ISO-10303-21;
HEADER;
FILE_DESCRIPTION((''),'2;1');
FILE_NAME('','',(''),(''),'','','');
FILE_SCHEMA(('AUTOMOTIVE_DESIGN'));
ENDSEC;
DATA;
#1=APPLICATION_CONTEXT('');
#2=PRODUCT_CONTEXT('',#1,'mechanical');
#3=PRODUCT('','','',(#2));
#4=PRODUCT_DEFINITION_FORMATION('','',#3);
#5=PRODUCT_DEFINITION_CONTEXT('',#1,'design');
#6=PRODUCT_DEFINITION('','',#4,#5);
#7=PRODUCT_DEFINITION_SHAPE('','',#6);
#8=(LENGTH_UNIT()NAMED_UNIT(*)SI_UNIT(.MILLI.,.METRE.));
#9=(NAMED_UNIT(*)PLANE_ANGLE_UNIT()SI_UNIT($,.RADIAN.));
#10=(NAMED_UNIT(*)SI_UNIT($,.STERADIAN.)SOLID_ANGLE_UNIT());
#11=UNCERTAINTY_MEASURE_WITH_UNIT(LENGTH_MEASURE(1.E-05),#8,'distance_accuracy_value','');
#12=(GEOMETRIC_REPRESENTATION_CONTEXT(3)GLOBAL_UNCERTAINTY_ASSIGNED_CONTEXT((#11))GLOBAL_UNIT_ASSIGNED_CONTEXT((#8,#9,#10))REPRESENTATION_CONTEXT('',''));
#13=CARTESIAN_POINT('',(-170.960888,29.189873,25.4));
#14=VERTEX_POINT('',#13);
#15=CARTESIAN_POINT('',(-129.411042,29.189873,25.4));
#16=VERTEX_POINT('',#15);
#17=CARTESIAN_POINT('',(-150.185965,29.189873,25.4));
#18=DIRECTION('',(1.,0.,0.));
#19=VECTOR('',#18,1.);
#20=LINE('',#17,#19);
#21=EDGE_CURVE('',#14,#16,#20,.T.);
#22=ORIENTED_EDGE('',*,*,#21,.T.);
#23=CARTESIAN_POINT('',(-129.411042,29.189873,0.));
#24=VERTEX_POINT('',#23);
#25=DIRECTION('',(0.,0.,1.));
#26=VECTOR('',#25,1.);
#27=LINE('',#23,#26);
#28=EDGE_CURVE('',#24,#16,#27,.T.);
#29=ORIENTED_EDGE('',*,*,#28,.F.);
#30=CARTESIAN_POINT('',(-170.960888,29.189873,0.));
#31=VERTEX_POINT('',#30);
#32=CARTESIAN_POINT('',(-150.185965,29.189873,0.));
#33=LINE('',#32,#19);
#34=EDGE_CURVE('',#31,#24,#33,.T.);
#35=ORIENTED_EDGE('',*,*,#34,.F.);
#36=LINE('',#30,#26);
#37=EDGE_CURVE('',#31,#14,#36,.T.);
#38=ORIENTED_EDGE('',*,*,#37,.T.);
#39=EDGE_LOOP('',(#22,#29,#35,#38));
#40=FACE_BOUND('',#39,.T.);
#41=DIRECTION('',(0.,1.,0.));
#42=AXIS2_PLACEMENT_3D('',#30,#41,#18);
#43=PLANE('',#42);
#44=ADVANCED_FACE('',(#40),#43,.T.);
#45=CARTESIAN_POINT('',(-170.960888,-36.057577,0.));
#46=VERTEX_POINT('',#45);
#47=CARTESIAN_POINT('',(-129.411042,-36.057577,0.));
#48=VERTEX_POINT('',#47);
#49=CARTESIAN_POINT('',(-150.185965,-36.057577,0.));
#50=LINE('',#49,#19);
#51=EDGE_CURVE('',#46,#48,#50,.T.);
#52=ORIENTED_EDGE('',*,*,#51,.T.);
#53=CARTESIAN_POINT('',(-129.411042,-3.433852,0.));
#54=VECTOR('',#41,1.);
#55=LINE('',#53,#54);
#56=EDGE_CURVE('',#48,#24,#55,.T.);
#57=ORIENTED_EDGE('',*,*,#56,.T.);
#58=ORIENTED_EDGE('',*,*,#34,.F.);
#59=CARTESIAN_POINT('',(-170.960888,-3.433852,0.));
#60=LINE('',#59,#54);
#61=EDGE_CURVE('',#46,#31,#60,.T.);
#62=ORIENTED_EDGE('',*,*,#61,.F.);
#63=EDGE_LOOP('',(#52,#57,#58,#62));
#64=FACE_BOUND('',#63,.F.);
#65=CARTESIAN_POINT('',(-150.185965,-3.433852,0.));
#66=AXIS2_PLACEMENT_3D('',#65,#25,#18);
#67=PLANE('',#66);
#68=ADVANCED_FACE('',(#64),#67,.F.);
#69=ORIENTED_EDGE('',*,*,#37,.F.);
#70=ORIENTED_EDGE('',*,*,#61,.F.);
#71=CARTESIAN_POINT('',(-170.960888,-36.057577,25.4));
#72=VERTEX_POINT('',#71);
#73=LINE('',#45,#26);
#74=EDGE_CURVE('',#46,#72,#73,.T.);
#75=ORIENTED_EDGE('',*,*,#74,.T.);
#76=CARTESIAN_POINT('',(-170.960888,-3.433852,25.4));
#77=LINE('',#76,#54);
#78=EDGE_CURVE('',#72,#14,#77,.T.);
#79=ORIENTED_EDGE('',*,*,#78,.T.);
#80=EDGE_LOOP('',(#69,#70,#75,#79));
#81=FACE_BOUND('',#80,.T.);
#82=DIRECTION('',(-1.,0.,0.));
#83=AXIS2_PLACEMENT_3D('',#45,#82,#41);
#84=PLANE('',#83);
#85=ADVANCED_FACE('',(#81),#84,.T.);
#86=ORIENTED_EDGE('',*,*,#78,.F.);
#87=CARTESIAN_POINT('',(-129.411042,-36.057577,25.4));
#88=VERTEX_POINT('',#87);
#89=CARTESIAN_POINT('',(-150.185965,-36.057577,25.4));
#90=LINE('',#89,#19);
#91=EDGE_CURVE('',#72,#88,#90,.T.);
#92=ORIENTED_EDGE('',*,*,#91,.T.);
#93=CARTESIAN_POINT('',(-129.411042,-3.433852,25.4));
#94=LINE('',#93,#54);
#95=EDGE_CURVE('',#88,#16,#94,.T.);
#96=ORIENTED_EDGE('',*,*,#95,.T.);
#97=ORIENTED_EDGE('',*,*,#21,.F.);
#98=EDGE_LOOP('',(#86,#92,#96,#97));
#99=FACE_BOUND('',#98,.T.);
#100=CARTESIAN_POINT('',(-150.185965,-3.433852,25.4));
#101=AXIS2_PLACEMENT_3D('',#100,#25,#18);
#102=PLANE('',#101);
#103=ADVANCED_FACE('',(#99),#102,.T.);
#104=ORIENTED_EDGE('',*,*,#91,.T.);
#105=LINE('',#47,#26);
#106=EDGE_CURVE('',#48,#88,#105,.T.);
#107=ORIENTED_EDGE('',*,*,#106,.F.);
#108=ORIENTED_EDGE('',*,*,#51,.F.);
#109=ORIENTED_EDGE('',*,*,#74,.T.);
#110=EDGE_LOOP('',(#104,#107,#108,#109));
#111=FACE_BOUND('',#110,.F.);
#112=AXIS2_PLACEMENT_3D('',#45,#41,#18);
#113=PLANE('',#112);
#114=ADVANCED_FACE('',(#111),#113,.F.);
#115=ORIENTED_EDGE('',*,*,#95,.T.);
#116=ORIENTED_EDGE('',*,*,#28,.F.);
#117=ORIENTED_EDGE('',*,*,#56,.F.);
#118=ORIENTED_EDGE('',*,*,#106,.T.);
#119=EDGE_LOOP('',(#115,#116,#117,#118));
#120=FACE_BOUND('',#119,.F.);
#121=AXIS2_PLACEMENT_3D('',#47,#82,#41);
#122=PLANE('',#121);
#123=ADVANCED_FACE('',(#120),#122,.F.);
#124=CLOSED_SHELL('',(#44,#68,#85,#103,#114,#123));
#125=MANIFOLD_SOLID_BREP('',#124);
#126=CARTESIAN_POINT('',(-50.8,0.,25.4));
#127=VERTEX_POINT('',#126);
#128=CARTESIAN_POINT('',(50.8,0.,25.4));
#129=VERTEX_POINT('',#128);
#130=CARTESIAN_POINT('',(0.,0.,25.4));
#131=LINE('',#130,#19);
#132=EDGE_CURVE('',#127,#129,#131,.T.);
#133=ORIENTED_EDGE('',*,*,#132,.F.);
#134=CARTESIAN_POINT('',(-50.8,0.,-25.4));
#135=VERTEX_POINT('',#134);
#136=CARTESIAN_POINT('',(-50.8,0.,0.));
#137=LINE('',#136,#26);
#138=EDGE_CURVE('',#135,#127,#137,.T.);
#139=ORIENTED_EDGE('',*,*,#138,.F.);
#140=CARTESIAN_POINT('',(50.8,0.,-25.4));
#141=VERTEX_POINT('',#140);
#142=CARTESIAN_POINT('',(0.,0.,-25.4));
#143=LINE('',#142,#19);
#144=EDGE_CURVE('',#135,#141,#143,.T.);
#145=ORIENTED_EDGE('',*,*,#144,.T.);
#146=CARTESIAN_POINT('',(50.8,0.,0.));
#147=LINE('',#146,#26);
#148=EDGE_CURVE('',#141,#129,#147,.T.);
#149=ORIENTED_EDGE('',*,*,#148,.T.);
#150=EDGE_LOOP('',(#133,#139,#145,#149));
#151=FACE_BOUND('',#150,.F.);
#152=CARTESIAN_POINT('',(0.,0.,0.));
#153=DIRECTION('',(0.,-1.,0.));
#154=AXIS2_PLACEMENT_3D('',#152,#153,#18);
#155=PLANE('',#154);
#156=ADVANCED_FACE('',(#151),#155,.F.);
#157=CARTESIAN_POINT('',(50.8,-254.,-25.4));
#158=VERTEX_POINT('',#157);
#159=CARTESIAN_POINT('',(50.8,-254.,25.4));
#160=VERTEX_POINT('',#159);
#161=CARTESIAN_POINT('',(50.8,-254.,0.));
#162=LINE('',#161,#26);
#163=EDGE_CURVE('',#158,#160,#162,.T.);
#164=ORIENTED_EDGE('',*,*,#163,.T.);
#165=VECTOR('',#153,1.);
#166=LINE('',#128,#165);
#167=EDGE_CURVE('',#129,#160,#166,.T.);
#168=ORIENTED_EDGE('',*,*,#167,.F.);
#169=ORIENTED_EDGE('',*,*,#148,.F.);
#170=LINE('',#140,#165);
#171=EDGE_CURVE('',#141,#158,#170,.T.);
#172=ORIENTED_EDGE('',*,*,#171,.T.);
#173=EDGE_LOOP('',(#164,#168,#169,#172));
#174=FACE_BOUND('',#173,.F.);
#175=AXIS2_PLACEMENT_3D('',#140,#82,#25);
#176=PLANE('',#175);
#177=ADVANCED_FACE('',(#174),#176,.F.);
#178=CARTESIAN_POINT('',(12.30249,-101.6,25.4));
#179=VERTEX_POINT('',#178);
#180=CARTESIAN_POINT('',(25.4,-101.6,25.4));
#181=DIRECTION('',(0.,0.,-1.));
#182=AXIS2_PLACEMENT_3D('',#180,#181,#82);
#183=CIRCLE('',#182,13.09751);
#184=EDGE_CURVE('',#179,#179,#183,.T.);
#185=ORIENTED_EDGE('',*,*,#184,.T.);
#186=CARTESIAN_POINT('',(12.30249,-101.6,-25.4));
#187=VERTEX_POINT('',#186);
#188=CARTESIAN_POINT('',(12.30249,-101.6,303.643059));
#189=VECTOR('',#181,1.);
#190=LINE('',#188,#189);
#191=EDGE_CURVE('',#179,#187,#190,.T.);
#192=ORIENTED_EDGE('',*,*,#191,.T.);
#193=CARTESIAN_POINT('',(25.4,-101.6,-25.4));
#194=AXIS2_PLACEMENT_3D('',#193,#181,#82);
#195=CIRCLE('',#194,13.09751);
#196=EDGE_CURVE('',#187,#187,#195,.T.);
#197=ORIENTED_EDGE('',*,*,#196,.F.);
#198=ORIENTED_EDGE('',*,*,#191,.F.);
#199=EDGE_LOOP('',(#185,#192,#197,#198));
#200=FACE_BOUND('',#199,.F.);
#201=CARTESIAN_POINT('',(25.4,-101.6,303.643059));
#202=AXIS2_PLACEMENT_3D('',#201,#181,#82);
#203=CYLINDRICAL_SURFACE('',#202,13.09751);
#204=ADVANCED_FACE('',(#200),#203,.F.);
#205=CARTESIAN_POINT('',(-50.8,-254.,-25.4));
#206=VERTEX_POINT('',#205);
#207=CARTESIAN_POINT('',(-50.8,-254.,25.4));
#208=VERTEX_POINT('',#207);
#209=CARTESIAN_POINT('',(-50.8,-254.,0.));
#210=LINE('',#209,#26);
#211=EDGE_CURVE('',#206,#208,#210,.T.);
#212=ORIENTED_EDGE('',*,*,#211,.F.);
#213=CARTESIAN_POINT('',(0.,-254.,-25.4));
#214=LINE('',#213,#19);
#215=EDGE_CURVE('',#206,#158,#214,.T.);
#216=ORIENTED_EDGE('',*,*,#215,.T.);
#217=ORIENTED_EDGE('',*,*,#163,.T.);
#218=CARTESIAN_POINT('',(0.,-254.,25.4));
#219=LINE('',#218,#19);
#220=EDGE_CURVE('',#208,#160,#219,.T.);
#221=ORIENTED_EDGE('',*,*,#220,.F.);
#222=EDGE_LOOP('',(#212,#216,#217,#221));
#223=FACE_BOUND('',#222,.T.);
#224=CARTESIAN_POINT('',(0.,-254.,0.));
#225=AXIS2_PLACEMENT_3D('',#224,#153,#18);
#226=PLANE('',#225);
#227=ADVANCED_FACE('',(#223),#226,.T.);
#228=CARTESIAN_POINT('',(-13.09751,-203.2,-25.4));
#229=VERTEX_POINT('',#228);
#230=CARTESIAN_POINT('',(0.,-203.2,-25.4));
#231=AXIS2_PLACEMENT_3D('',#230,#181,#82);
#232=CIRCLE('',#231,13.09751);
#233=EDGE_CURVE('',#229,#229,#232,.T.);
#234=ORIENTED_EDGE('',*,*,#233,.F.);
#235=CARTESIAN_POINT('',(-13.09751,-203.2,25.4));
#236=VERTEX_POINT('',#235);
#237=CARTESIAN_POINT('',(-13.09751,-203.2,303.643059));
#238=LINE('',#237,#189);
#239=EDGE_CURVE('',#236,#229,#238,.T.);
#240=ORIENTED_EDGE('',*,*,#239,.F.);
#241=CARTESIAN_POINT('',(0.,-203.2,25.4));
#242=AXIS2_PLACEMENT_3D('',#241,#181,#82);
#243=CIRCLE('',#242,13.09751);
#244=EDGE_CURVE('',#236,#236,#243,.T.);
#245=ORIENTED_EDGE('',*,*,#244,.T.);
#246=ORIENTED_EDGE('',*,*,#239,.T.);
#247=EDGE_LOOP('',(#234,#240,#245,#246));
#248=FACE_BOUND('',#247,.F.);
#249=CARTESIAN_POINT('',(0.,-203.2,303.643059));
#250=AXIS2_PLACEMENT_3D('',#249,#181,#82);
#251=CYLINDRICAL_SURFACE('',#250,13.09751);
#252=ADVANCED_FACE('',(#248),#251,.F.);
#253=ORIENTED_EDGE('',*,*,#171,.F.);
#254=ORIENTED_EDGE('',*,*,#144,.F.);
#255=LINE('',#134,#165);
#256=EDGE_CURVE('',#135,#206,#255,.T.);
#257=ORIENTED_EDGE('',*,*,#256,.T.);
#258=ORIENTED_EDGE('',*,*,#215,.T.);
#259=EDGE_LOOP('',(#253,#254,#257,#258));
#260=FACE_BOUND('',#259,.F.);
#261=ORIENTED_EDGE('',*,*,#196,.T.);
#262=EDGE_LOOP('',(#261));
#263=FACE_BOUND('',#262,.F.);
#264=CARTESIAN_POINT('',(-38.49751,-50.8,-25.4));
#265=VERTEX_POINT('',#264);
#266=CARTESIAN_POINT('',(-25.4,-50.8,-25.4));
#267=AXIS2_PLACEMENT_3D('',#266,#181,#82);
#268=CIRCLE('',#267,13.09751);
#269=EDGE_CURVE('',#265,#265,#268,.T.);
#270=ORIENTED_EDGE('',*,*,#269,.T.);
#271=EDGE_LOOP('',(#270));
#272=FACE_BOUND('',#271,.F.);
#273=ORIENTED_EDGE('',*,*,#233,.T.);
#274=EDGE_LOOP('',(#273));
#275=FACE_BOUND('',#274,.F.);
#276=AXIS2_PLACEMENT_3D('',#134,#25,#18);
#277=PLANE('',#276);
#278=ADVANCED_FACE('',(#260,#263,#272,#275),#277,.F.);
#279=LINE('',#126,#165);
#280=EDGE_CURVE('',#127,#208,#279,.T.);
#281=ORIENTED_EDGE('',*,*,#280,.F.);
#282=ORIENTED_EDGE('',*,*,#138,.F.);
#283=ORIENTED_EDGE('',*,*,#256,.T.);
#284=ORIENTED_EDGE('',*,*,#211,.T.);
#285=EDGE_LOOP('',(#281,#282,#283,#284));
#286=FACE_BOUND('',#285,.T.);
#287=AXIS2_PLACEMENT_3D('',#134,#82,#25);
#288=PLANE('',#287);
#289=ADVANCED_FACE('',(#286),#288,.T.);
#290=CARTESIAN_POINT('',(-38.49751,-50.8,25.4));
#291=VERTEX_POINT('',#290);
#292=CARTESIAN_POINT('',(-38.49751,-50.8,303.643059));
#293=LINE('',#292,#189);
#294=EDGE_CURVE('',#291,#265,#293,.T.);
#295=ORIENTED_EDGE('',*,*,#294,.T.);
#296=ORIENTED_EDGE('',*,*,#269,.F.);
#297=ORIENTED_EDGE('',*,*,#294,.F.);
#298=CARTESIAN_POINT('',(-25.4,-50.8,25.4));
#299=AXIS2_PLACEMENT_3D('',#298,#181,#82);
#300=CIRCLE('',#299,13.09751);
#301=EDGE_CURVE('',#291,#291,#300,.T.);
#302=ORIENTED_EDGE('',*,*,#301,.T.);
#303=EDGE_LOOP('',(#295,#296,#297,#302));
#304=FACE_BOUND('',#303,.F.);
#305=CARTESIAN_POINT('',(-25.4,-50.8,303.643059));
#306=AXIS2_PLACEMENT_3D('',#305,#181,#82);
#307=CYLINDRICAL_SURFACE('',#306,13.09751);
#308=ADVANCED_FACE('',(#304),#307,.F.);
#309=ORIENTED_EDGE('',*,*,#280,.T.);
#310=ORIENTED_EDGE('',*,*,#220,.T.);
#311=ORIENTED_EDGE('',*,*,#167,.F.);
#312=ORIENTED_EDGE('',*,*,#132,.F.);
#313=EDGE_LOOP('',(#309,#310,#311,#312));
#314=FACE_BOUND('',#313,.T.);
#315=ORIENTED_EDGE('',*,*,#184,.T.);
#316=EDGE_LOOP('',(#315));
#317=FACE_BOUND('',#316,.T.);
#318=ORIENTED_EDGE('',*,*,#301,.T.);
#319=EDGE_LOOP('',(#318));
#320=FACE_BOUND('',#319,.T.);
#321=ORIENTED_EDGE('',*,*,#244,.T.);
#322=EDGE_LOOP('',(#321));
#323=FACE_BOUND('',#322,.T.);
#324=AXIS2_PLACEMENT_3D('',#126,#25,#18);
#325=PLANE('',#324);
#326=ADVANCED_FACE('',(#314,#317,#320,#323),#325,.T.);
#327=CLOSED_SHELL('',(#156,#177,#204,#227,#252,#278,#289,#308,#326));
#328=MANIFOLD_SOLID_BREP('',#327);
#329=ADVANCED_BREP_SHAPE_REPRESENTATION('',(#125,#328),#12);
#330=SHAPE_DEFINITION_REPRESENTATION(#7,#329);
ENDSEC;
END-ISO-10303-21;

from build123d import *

# Parameters (mm, degrees)
F0_W     = 101.6
F0_H     = 50.8
F1_DEPTH = 254
F2_W     = 41.54984653
F2_H     = 65.2474500239
F3_DEPTH = 25.4
F5_D     = 26.19502


with BuildPart() as f1:
    # F0 (on Front) → F1 (new body)
    with BuildSketch(Plane.XZ):
        Rectangle(F0_W, F0_H)
    extrude(amount=F1_DEPTH)

    # F5 (through all)
    with Locations(Plane.XY.offset(25.4)):
        with Locations((0, -203.2), (25.4, -101.6), (-25.4, -50.8)):
            Hole(F5_D / 2)


with BuildPart() as f3:
    # F2 (on Top) → F3 (new body)
    with BuildSketch(Plane.XY):
        with Locations((-150.1859650016, -3.4338515252)):
            Rectangle(F2_W, F2_H)
    extrude(amount=F3_DEPTH)


solid = Compound([f1.part, f3.part])
